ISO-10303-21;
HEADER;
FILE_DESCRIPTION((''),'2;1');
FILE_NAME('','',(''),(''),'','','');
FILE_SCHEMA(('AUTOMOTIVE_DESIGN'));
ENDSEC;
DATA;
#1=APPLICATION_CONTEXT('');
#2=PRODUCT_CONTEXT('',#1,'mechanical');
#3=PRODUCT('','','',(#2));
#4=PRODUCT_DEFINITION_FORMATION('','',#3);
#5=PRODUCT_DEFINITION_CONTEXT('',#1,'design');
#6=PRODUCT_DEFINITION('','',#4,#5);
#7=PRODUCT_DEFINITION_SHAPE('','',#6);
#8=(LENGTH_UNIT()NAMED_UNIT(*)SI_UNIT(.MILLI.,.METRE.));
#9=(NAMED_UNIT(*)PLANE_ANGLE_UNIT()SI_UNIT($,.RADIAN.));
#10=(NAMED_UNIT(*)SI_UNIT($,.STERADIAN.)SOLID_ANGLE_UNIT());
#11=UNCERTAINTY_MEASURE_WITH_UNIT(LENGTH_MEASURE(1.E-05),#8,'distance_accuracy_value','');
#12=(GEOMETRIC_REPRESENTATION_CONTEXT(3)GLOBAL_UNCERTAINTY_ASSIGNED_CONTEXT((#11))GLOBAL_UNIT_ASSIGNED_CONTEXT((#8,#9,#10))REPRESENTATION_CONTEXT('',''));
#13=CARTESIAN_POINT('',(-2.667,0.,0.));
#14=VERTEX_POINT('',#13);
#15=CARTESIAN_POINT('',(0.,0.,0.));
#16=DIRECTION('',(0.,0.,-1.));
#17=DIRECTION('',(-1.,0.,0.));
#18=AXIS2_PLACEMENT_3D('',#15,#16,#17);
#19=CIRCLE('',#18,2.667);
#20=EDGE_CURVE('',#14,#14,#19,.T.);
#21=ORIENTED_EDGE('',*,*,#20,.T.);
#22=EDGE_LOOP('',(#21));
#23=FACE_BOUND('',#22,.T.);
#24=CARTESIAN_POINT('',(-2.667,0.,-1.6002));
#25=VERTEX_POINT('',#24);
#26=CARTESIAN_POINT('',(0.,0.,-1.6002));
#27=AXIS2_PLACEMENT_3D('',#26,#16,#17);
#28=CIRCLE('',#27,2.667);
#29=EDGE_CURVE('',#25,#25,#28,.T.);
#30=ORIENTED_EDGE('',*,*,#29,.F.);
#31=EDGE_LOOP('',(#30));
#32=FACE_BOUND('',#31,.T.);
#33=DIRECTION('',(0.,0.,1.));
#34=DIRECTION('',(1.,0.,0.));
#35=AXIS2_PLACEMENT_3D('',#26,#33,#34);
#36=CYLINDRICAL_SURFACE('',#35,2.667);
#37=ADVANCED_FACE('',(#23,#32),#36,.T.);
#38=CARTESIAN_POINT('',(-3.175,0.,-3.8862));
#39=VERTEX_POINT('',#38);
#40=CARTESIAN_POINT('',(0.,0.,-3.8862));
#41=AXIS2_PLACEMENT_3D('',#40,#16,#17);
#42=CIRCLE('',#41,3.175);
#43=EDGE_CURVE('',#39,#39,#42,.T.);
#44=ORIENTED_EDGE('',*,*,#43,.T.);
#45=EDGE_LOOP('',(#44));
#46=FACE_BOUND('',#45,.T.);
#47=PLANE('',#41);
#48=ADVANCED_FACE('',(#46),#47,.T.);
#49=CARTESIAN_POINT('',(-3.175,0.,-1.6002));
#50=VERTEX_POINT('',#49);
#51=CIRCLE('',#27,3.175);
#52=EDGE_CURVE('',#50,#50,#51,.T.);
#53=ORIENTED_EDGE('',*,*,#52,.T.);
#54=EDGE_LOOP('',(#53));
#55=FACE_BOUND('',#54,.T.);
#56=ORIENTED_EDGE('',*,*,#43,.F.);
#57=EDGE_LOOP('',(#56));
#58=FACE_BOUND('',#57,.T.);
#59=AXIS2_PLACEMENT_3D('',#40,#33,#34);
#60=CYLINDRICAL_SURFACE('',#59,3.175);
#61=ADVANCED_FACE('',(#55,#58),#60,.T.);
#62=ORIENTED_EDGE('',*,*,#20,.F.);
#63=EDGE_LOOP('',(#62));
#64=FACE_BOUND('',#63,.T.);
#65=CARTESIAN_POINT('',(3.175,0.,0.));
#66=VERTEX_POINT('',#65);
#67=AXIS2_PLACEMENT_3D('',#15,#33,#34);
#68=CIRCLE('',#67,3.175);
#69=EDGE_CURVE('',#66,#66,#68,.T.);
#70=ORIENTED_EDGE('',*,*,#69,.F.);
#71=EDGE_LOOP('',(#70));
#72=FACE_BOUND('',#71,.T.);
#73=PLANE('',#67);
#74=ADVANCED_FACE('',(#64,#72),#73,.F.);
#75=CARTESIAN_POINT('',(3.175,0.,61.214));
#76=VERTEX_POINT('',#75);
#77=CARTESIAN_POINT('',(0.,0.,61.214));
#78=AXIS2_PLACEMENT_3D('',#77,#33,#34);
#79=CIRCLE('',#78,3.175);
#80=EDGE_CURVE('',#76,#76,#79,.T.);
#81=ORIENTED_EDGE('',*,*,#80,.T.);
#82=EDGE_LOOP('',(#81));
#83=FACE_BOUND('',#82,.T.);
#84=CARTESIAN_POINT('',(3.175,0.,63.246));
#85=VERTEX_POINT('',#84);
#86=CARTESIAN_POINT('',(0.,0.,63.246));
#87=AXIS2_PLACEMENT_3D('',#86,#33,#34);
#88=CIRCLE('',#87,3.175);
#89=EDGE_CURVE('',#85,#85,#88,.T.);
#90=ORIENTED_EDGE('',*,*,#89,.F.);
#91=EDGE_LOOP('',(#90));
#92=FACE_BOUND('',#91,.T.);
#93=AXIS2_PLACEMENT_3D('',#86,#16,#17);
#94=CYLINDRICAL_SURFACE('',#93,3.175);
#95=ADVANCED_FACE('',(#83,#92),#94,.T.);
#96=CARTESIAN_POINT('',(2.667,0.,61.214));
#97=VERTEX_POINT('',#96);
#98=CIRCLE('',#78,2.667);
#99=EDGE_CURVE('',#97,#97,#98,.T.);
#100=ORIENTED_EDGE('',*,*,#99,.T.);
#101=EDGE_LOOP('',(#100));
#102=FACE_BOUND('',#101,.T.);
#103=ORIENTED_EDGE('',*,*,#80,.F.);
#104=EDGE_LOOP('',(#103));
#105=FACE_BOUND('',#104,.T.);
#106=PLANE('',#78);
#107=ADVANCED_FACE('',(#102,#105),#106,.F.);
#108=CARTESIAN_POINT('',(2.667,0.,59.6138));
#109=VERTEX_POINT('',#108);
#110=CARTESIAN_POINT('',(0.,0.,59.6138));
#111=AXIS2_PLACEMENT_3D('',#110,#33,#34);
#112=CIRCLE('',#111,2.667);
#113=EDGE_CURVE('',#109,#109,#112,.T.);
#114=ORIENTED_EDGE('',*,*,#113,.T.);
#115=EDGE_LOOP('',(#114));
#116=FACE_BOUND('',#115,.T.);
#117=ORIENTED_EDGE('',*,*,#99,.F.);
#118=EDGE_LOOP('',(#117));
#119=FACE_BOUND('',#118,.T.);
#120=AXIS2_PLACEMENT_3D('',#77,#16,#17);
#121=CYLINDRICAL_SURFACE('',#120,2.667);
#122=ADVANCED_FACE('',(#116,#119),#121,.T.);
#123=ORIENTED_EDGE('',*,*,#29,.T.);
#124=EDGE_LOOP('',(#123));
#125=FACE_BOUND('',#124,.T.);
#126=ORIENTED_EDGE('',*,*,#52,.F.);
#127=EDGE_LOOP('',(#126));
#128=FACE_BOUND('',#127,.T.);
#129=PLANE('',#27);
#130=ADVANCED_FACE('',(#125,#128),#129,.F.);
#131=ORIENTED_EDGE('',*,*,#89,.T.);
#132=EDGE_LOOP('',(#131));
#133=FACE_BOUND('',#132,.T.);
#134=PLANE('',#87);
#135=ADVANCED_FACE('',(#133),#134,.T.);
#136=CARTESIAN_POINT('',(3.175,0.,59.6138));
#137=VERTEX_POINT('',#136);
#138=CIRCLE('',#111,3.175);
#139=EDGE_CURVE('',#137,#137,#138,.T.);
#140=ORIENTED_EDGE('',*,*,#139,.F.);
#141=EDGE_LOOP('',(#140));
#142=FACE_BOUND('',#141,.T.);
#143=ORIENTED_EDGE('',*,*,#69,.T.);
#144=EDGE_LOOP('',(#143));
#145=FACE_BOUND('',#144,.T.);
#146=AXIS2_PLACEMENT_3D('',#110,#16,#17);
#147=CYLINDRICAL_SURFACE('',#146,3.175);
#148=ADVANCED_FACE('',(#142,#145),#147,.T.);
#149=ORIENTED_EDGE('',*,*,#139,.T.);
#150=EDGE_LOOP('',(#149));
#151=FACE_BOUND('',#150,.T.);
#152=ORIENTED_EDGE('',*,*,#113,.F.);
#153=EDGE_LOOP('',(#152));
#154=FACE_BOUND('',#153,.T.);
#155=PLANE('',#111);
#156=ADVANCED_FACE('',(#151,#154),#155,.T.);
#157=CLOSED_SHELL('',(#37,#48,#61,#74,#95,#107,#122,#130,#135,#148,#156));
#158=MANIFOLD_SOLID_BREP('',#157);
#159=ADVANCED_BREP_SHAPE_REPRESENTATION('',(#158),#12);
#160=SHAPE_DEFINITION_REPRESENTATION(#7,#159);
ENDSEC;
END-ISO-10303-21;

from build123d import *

# Parameters (mm, degrees)
SKETCH1_R           = 3.175
BOSS_EXTRUDE1_DEPTH = 59.6138
SKETCH2_R           = 2.667
BOSS_EXTRUDE2_DEPTH = 1.6002
SKETCH3_R           = 3.175
BOSS_EXTRUDE3_DEPTH = 2.286
SKETCH4_R           = 2.667
BOSS_EXTRUDE4_DEPTH = 1.6002
SKETCH5_R           = 3.175
BOSS_EXTRUDE5_DEPTH = 2.032


with BuildPart() as part:
    # Sketch1 → Boss-Extrude1 (new body)
    with BuildSketch(Plane.XY):
        Circle(SKETCH1_R)
    extrude(amount=BOSS_EXTRUDE1_DEPTH)

    # Sketch2 → Boss-Extrude2 (add)
    with BuildSketch(Plane(origin=(0, 0, 0), x_dir=(-1, 0, 0), z_dir=(0, 0, -1))):
        Circle(SKETCH2_R)
    extrude(amount=BOSS_EXTRUDE2_DEPTH)

    # Sketch3 → Boss-Extrude3 (add)
    with BuildSketch(Plane(origin=(0, 0, -1.6002), x_dir=(-1, 0, 0), z_dir=(0, 0, -1))):
        Circle(SKETCH3_R)
    extrude(amount=BOSS_EXTRUDE3_DEPTH)

    # Sketch4 → Boss-Extrude4 (add)
    with BuildSketch(Plane.XY.offset(59.6138)):
        Circle(SKETCH4_R)
    extrude(amount=BOSS_EXTRUDE4_DEPTH)

    # Sketch5 → Boss-Extrude5 (add)
    with BuildSketch(Plane.XY.offset(61.214)):
        Circle(SKETCH5_R)
    extrude(amount=BOSS_EXTRUDE5_DEPTH)


solid = part.part
